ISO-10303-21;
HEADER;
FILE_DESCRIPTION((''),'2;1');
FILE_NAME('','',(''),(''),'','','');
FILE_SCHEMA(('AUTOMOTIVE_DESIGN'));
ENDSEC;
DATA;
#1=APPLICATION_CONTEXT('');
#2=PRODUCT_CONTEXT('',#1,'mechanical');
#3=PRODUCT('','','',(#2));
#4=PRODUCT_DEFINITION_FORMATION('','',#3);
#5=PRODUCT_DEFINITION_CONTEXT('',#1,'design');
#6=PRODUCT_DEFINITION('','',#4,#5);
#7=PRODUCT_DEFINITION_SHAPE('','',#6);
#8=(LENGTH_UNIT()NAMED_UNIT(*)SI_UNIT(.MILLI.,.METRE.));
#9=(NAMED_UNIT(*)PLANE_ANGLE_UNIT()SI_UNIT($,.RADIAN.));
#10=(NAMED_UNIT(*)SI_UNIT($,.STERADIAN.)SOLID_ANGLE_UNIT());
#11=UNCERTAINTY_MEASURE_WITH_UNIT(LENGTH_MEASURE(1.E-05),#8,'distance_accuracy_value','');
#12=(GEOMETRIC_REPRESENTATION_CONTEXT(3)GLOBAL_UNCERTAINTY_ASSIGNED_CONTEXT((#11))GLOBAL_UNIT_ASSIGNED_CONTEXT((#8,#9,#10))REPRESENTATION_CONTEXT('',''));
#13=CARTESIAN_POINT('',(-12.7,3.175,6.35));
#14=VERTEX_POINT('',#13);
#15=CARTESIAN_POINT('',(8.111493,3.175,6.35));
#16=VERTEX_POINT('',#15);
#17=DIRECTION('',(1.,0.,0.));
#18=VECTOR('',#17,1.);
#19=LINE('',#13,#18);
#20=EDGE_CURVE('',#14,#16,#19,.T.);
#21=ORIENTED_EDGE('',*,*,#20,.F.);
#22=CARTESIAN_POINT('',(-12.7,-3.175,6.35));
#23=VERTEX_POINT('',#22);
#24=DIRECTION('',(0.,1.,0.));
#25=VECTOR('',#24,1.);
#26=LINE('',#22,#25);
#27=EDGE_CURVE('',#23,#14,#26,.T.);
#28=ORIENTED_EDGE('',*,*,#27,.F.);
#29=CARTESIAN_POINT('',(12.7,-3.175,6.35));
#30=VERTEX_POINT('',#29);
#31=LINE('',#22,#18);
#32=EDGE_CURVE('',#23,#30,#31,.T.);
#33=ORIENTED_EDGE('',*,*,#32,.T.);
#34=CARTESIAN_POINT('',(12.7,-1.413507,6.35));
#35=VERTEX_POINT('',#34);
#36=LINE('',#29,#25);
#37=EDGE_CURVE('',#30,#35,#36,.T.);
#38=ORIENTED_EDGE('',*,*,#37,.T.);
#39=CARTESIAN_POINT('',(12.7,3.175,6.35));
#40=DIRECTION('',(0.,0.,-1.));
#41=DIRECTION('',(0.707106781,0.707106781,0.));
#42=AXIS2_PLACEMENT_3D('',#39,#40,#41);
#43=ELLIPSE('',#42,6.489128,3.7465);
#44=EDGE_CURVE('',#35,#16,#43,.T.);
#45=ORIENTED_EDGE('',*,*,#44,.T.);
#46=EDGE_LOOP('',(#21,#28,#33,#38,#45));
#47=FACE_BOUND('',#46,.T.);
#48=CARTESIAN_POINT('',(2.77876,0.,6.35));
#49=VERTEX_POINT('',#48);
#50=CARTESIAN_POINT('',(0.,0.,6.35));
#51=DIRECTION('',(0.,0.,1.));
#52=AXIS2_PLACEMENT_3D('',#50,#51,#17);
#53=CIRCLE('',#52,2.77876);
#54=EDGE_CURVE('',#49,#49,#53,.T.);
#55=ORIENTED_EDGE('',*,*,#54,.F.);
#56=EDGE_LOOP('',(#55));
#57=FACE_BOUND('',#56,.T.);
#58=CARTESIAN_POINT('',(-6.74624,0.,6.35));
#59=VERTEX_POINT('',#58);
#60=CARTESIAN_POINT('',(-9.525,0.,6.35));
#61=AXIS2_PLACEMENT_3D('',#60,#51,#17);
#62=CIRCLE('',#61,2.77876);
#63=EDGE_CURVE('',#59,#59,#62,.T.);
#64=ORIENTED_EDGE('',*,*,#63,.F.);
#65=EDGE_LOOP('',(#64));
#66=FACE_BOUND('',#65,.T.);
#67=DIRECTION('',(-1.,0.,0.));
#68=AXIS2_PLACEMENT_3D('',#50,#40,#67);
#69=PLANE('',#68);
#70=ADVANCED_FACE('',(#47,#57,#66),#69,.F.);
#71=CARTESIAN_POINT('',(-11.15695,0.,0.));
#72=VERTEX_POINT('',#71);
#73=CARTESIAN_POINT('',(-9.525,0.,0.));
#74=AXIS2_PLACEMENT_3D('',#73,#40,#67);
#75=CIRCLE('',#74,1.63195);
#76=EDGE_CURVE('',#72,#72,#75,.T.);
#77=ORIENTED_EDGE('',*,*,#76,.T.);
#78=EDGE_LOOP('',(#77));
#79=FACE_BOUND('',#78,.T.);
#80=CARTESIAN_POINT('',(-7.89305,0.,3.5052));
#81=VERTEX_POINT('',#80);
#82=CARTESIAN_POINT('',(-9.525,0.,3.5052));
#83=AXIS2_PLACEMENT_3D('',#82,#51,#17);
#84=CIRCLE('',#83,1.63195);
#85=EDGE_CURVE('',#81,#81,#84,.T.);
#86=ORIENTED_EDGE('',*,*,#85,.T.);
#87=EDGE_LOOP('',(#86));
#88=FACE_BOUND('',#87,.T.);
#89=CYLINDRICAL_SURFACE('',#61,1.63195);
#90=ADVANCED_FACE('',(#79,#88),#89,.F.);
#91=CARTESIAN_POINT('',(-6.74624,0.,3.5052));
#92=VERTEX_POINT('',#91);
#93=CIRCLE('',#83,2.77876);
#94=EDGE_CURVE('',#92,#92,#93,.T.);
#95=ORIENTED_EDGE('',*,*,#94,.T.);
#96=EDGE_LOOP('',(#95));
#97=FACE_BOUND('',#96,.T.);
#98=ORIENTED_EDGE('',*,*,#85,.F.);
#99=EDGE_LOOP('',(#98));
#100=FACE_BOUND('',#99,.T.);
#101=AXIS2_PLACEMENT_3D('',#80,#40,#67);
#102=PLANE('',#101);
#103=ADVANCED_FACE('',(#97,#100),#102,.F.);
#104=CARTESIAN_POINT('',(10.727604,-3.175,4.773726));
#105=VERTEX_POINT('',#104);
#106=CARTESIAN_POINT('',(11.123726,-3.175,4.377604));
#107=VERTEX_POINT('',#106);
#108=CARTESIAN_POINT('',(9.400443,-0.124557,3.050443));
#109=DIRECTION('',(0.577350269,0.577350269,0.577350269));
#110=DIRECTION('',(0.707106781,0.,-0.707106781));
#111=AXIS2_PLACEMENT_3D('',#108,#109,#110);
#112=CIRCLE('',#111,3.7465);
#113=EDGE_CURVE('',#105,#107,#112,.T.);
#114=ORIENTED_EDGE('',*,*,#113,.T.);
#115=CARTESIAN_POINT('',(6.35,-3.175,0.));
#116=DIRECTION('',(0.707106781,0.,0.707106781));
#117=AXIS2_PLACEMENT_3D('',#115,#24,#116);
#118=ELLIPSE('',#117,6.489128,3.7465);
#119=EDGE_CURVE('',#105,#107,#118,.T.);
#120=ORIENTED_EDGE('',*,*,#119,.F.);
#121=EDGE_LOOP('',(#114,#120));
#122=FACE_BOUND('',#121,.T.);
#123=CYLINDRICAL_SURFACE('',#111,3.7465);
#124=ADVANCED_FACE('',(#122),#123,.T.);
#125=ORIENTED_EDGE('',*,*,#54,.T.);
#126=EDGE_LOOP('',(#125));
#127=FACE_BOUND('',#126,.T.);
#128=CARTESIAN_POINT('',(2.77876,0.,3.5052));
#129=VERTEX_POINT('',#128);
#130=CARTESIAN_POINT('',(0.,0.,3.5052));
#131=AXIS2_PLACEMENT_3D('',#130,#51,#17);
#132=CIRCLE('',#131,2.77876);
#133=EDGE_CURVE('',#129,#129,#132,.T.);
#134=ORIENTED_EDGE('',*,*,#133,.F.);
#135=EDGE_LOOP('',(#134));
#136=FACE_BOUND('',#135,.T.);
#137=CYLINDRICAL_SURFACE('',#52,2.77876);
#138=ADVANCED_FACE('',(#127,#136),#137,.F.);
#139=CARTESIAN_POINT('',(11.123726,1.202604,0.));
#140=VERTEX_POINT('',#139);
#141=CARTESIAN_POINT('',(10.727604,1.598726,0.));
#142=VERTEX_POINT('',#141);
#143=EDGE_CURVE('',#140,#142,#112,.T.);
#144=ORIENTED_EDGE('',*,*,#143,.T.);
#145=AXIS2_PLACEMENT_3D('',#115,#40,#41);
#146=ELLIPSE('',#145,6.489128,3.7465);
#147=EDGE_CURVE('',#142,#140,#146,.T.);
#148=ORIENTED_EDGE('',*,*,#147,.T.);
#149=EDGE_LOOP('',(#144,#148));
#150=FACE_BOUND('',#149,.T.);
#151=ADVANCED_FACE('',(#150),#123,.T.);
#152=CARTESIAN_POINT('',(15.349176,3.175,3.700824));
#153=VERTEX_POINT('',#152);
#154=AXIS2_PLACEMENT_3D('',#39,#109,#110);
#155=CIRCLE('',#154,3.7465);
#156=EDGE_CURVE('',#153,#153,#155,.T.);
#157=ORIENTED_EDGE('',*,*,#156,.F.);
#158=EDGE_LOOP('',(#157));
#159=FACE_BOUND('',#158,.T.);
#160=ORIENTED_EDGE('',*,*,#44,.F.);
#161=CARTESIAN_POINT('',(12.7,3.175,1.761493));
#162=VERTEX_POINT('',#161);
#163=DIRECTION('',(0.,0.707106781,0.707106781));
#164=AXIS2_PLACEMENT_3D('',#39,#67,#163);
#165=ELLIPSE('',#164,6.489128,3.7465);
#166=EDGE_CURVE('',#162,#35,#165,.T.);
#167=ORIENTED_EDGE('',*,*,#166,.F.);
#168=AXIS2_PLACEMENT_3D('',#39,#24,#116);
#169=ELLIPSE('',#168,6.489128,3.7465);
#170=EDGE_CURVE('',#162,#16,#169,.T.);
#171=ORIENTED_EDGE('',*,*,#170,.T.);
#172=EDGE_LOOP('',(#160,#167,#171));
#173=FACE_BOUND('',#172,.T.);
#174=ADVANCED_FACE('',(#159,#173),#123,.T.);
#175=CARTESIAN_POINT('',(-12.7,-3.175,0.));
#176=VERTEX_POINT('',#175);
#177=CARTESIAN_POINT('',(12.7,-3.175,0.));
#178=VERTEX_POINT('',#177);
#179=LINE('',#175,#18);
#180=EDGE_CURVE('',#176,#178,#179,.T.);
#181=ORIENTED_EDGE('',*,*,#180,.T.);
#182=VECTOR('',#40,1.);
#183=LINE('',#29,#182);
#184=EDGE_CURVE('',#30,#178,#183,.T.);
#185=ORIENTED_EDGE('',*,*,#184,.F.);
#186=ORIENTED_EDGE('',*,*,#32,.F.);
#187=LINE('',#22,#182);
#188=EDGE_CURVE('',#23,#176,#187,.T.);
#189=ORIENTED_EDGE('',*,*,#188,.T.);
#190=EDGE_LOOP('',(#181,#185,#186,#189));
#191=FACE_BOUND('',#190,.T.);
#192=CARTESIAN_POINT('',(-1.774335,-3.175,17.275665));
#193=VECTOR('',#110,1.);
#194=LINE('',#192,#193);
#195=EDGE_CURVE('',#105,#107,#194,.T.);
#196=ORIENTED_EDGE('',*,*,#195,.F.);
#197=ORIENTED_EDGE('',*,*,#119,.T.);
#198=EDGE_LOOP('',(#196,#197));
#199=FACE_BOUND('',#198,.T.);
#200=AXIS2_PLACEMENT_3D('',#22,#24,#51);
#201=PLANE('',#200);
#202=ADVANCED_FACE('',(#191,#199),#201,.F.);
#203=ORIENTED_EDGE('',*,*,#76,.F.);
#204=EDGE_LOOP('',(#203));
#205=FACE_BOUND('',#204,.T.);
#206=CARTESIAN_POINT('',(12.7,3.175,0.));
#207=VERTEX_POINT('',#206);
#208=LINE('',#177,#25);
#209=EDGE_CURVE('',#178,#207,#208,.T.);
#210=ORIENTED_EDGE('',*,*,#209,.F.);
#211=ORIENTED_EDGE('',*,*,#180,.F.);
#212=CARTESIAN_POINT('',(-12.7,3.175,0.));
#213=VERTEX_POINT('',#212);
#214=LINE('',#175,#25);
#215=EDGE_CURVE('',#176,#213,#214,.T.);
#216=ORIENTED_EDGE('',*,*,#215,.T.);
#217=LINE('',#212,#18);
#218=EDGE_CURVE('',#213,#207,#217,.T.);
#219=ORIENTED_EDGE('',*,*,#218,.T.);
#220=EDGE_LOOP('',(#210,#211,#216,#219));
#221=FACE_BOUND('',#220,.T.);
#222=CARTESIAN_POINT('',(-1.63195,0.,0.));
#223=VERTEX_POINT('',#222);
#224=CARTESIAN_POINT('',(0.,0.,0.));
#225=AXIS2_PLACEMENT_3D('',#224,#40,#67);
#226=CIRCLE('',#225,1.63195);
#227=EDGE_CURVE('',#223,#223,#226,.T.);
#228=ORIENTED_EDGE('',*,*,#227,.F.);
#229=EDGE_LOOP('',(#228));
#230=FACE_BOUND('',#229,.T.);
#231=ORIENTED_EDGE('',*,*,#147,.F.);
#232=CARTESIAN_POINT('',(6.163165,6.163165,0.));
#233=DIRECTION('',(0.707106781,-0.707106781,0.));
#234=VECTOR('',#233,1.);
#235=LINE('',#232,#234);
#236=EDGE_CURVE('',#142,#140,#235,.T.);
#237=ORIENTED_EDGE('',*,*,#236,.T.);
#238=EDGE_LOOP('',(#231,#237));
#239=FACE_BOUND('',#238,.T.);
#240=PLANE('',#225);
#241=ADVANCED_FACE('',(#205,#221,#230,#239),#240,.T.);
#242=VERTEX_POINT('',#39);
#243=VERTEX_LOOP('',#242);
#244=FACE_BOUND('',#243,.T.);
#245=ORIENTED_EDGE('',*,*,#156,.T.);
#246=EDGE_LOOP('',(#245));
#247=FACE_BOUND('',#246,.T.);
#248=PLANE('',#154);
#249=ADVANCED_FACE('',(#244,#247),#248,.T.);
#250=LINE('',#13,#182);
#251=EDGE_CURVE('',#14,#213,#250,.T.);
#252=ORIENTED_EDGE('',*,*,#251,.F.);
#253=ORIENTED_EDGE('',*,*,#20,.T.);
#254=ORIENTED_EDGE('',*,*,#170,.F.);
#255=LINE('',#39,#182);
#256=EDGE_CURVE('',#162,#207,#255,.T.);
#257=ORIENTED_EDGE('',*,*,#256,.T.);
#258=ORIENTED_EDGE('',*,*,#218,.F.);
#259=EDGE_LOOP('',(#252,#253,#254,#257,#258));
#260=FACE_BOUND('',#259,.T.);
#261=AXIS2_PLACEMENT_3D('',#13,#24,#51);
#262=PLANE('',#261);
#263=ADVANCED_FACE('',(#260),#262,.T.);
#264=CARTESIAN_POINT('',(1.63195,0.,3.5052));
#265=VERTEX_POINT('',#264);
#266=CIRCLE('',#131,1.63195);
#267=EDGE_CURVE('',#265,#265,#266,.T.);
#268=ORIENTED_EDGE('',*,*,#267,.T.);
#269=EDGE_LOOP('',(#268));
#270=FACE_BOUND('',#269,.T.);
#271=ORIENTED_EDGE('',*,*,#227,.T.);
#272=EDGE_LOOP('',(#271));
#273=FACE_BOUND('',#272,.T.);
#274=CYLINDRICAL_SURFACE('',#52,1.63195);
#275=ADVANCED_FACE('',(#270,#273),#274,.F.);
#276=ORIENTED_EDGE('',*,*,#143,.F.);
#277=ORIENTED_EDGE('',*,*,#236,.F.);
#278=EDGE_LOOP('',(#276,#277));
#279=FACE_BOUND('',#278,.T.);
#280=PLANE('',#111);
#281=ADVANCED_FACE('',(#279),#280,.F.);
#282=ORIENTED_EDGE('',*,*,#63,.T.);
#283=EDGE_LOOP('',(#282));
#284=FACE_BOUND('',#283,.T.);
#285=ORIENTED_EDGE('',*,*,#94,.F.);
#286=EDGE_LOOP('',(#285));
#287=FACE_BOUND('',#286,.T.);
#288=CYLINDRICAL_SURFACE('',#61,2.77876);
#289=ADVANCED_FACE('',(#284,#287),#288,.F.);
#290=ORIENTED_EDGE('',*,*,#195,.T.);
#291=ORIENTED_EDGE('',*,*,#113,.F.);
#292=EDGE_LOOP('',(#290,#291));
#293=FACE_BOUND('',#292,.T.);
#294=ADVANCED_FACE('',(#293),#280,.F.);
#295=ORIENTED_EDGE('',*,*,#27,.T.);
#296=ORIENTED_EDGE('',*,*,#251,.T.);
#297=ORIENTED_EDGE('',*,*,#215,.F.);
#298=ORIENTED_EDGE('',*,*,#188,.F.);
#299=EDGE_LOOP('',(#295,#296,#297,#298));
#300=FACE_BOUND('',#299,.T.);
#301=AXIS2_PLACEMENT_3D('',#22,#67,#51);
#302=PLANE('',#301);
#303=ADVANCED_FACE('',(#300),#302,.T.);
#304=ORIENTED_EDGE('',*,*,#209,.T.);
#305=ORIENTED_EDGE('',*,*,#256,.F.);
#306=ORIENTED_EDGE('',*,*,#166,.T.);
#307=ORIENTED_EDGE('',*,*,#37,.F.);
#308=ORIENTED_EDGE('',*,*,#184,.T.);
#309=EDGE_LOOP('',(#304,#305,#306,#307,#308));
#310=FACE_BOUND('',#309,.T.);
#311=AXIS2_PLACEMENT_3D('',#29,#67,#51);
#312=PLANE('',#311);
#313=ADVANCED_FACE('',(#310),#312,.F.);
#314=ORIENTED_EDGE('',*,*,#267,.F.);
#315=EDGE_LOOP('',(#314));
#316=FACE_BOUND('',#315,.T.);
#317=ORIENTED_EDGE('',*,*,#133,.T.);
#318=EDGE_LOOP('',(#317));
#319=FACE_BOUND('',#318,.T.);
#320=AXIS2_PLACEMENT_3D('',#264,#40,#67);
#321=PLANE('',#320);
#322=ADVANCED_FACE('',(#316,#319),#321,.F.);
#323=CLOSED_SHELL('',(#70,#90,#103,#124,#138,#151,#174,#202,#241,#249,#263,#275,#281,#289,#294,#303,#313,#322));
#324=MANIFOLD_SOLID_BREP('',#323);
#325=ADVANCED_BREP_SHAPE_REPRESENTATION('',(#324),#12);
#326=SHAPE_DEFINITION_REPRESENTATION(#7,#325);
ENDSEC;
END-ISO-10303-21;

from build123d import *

# Parameters (mm, degrees)
SKETCH1_W                                      = 25.4
SKETCH1_H                                      = 6.35
BOSS_EXTRUDE1_DEPTH                            = 6.35
CBORE_FOR_4_SOCKET_HEAD_CAP_SCREW1_D           = 3.2639
CBORE_FOR_4_SOCKET_HEAD_CAP_SCREW1_DEPTH       = 7.5946
CBORE_FOR_4_SOCKET_HEAD_CAP_SCREW1_CBORE_D     = 5.55752
CBORE_FOR_4_SOCKET_HEAD_CAP_SCREW1_CBORE_DEPTH = 2.8448
CBORE_FOR_4_SOCKET_HEAD_CAP_SCREW1_TIP         = 0.980574487
SKETCH4_R                                      = 3.7465
BOSS_EXTRUDE2_DEPTH                            = 5.715


with BuildPart() as part:
    # Sketch1 → Boss-Extrude1 (new body)
    with BuildSketch(Plane.XY):
        Rectangle(SKETCH1_W, SKETCH1_H)
    extrude(amount=BOSS_EXTRUDE1_DEPTH)

    # CBORE for #4 Socket Head Cap Screw1
    with Locations(Plane.XY.offset(6.35)):
        with Locations((-9.525, 0), (0, 0)):
            CounterBoreHole(CBORE_FOR_4_SOCKET_HEAD_CAP_SCREW1_D / 2, CBORE_FOR_4_SOCKET_HEAD_CAP_SCREW1_CBORE_D / 2, CBORE_FOR_4_SOCKET_HEAD_CAP_SCREW1_CBORE_DEPTH, depth=CBORE_FOR_4_SOCKET_HEAD_CAP_SCREW1_DEPTH)
            with Locations((0, 0, -(CBORE_FOR_4_SOCKET_HEAD_CAP_SCREW1_DEPTH + CBORE_FOR_4_SOCKET_HEAD_CAP_SCREW1_TIP / 2))):  # 118° drill point
                Cone(0, CBORE_FOR_4_SOCKET_HEAD_CAP_SCREW1_D / 2, CBORE_FOR_4_SOCKET_HEAD_CAP_SCREW1_TIP, mode=Mode.SUBTRACT)

    # Sketch4 → Boss-Extrude2 (add)
    with BuildSketch(Plane(origin=(12.7, 3.175, 6.35), x_dir=(0.4082482904638631, 0.408248290463863, -0.8164965809277261), z_dir=(0.5773502691896258, 0.5773502691896257, 0.5773502691896257))):
        Circle(SKETCH4_R)
    extrude(amount=-BOSS_EXTRUDE2_DEPTH)


solid = part.part
